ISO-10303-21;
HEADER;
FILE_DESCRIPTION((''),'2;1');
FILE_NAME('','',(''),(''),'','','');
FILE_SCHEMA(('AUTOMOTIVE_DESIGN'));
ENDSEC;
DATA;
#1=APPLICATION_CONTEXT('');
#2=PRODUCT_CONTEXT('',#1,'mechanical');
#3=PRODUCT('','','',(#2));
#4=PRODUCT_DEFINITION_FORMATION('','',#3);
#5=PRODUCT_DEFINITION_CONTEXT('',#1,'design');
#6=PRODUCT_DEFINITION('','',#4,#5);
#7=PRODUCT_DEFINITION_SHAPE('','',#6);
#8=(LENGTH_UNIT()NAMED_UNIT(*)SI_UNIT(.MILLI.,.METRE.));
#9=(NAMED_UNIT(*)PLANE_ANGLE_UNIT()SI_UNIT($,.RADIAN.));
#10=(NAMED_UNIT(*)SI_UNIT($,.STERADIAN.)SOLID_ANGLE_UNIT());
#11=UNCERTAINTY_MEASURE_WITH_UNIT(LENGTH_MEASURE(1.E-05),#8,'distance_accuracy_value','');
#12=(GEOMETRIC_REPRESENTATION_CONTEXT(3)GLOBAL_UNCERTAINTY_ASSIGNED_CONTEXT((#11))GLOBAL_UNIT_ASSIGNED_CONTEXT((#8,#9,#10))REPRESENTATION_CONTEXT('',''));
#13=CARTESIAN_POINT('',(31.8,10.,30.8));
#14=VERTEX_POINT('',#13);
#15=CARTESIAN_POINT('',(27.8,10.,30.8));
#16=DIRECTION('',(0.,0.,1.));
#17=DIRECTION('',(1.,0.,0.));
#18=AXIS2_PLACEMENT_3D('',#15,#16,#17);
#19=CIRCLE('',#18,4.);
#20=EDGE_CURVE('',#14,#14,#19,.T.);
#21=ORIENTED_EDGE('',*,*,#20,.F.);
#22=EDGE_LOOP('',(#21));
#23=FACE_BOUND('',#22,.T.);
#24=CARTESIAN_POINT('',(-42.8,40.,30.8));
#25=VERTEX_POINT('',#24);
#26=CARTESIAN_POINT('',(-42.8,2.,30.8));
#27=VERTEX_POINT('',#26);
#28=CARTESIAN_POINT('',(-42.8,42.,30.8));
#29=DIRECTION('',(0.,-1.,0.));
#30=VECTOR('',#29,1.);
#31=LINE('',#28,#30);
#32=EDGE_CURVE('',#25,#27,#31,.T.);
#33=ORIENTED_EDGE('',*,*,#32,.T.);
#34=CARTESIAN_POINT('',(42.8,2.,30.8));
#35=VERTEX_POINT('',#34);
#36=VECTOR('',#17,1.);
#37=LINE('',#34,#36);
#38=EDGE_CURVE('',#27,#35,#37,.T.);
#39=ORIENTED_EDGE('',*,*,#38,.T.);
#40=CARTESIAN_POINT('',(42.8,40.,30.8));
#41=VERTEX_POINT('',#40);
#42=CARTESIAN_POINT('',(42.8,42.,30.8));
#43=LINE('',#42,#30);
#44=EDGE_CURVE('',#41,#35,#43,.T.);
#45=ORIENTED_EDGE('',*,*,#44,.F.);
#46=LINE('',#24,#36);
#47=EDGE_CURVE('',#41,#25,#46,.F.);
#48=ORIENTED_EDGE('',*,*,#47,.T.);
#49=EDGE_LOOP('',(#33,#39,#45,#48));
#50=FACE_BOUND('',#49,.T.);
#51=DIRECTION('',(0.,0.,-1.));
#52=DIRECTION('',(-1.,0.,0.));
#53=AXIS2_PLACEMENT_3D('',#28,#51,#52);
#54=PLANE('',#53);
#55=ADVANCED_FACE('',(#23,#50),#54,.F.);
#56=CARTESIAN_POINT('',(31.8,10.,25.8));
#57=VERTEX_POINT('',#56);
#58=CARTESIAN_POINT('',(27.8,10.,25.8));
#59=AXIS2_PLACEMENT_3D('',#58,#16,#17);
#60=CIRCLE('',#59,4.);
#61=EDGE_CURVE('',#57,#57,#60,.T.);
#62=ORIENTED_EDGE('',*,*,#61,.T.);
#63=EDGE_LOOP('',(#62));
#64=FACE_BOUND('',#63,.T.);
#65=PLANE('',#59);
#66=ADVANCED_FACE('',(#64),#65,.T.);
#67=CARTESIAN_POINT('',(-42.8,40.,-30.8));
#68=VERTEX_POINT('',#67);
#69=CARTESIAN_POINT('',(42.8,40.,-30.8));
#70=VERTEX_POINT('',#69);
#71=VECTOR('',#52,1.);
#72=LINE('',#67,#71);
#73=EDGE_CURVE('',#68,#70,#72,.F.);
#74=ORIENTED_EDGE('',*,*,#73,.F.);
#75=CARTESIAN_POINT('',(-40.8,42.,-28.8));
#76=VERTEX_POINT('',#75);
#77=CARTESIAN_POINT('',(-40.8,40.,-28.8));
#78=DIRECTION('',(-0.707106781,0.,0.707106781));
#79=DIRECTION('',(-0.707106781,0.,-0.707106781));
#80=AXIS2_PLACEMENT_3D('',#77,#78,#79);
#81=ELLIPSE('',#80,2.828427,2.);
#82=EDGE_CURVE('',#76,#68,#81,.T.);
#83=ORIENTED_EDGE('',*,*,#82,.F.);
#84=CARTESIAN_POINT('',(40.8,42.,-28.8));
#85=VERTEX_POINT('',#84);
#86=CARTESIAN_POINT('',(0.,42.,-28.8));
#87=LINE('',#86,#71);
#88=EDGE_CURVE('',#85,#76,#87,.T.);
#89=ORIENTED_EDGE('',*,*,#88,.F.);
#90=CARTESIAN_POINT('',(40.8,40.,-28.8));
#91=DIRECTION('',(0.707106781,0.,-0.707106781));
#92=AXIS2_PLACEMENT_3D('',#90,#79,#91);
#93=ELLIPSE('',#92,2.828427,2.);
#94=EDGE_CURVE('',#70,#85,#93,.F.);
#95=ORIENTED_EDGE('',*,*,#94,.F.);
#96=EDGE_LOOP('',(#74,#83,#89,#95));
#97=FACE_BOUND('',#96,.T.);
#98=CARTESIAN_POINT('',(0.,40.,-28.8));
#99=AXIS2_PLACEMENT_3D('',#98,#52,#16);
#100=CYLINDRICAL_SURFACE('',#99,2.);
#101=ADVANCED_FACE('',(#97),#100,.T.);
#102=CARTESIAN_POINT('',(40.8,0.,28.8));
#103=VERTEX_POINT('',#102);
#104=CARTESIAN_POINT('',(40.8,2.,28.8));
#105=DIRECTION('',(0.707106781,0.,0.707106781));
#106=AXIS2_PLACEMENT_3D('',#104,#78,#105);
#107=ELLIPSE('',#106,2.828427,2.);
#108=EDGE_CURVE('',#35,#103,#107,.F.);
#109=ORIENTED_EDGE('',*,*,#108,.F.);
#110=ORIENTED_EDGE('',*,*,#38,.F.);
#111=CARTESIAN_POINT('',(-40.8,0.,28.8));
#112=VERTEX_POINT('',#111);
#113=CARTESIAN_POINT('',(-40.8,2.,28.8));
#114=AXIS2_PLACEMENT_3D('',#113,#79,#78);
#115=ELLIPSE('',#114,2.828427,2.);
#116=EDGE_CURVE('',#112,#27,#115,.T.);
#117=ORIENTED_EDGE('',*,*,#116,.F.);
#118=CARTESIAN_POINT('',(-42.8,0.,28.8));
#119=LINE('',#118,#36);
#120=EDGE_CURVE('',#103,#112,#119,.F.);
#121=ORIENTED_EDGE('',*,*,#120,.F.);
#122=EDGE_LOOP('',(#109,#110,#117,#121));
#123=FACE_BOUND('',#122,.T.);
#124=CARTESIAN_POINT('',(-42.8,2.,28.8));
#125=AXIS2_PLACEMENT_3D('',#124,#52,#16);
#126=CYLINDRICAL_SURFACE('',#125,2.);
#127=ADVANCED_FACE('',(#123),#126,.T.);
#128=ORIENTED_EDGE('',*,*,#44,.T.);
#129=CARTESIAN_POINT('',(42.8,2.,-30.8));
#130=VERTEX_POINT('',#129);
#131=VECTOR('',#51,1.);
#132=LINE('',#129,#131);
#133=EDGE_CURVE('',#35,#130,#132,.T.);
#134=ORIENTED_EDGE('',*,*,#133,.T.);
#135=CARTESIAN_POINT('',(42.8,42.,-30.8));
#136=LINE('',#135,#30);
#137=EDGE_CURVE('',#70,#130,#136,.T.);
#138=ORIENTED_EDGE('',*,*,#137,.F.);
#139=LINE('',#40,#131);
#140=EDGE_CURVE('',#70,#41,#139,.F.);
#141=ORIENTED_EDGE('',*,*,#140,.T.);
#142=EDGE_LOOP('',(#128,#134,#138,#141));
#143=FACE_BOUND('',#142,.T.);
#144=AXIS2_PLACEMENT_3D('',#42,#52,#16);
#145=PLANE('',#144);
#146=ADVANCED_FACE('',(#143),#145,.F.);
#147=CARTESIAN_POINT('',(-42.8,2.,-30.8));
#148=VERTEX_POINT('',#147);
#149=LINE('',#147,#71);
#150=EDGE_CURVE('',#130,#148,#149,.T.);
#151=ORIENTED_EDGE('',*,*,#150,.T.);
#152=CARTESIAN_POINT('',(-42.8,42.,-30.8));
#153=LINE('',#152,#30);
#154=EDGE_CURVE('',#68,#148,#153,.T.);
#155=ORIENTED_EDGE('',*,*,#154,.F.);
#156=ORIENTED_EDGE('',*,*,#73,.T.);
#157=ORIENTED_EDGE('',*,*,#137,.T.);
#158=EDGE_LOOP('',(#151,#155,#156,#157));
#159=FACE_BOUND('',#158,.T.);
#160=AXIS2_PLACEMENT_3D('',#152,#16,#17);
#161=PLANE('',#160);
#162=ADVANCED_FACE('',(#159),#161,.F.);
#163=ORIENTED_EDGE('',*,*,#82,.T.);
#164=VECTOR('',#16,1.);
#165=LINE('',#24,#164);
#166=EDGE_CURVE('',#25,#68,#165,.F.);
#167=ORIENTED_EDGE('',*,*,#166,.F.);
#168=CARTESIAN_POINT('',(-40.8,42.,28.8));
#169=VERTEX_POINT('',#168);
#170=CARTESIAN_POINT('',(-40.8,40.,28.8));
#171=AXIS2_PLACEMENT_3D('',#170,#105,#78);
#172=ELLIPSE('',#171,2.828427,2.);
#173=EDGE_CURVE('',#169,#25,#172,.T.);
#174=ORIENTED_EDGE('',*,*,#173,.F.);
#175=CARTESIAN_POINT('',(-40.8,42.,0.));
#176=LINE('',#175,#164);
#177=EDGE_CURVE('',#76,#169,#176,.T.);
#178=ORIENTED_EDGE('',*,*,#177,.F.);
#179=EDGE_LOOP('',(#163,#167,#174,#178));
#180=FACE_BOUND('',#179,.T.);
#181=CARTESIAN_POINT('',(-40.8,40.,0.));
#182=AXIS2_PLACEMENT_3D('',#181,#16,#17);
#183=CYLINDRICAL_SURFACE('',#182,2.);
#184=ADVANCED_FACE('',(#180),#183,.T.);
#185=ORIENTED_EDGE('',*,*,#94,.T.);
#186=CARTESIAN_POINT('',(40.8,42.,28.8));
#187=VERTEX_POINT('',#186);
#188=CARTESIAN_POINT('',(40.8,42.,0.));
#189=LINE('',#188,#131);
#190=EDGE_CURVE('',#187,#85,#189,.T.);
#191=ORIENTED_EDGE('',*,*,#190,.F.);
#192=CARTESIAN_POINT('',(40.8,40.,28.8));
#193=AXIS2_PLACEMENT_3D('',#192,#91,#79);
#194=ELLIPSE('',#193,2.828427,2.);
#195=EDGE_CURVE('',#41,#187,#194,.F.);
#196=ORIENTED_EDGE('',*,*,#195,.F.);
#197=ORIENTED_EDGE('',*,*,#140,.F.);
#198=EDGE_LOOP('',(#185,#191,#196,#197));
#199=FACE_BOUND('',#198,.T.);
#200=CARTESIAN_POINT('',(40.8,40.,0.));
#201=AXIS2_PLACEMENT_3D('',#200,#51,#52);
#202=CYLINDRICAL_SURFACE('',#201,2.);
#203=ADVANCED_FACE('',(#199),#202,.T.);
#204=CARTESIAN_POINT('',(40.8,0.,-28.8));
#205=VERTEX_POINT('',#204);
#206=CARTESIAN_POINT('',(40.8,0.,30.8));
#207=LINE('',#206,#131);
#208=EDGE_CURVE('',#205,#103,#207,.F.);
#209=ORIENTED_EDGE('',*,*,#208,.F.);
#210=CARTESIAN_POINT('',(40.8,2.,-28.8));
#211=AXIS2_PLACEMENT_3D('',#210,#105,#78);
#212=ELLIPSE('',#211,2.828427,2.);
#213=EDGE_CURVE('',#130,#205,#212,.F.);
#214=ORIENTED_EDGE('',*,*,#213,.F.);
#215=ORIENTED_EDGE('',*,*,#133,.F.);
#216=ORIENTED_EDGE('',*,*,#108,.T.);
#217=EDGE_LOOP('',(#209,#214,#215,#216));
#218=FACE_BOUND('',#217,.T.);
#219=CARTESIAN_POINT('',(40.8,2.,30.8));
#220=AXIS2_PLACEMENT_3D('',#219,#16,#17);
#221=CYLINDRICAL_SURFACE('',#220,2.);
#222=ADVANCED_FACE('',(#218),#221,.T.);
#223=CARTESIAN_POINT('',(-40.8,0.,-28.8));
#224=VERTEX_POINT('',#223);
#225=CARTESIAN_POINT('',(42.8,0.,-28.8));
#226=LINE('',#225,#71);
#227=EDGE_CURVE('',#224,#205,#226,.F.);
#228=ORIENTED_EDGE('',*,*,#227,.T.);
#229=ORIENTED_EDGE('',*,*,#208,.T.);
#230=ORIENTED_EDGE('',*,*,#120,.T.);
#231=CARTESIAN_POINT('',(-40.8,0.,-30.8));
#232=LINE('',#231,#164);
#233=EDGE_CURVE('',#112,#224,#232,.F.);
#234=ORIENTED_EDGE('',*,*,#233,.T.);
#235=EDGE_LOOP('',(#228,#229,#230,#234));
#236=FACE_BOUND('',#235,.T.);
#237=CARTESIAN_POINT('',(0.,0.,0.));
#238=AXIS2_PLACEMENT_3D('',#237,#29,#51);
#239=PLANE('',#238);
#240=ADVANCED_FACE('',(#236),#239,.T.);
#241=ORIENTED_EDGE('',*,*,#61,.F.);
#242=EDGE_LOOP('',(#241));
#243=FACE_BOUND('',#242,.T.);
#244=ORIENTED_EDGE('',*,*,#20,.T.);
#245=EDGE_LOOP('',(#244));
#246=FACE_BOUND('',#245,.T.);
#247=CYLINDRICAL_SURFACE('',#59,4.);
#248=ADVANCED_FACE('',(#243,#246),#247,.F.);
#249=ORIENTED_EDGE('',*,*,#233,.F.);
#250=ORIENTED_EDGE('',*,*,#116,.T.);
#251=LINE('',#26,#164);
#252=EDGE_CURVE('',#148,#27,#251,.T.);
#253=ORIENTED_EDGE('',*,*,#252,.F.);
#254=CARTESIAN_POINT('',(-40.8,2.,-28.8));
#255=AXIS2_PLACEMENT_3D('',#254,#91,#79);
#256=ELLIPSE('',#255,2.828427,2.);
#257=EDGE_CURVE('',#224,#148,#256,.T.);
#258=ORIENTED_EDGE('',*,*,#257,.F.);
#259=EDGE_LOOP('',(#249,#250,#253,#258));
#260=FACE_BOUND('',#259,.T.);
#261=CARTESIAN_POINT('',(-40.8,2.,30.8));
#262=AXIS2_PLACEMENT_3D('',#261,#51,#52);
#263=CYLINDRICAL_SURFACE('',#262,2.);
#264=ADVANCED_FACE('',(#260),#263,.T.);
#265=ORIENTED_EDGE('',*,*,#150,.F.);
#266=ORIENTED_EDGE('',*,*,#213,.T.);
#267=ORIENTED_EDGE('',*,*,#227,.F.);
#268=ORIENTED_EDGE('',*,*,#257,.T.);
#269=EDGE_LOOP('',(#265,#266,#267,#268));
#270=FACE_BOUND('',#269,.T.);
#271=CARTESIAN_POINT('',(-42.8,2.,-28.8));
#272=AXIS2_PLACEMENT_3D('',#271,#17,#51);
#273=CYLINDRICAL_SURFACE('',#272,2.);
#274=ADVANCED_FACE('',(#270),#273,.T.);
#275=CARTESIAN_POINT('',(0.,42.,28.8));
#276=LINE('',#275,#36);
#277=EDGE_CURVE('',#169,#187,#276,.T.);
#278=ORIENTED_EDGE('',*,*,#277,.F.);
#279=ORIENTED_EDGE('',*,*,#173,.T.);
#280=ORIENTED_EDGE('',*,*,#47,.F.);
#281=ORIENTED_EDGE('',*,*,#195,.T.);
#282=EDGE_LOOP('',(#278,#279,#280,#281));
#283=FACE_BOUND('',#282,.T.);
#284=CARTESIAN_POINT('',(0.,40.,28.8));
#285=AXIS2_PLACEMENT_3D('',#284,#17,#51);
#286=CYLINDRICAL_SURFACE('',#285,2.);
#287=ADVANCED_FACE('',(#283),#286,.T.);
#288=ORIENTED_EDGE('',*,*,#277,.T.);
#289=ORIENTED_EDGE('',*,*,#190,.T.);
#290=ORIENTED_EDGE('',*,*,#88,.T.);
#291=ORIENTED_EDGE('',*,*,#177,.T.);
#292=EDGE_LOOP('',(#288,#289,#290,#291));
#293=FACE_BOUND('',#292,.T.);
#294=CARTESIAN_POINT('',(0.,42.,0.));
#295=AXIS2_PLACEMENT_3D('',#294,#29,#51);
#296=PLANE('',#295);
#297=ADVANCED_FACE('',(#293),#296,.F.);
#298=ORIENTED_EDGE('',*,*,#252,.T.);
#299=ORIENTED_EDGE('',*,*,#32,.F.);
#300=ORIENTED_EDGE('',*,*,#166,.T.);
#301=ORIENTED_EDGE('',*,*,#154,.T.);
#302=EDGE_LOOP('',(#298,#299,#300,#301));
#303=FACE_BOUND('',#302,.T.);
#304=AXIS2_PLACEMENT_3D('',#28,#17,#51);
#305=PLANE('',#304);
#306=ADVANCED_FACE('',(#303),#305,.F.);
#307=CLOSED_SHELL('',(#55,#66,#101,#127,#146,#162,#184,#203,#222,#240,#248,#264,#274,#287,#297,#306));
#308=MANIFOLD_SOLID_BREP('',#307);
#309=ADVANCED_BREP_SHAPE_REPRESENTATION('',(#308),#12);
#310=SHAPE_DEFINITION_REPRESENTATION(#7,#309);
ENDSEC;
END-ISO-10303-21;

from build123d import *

# Parameters (mm, degrees)
SKETCH_1_W          = 85.6
SKETCH_1_H          = 61.6
EXTRUDE_1_DEPTH     = 42
SKETCH_2_R          = 4
CUT_EXTRUDE_1_DEPTH = 5
FILLET_1_R          = 2


with BuildPart() as part:
    # 草图1 → 凸台-拉伸1 (new body)
    with BuildSketch(Plane(origin=(0, 0, 0), x_dir=(1, 0, 0), z_dir=(0, 1, 0))):
        Rectangle(SKETCH_1_W, SKETCH_1_H)
    extrude(amount=EXTRUDE_1_DEPTH)

    # 草图2 → 切除-拉伸1 (cut)
    with BuildSketch(Plane.XY.offset(30.8)):
        with Locations((27.8, 10)):
            Circle(SKETCH_2_R)
    extrude(amount=-CUT_EXTRUDE_1_DEPTH, mode=Mode.SUBTRACT)

    # 圆角1
    fillet_1_edges = [part.edges().sort_by_distance(p)[0] for p in [
        (-42.8, 42, 0),
        (0, 42, 30.8),
        (42.8, 42, 0),
        (0, 0, 30.8),
        (-42.8, 0, 0),
        (0, 0, -30.8),
        (42.8, 0, 0),
        (0, 42, -30.8),
    ]]
    fillet(fillet_1_edges, radius=FILLET_1_R)


solid = part.part
